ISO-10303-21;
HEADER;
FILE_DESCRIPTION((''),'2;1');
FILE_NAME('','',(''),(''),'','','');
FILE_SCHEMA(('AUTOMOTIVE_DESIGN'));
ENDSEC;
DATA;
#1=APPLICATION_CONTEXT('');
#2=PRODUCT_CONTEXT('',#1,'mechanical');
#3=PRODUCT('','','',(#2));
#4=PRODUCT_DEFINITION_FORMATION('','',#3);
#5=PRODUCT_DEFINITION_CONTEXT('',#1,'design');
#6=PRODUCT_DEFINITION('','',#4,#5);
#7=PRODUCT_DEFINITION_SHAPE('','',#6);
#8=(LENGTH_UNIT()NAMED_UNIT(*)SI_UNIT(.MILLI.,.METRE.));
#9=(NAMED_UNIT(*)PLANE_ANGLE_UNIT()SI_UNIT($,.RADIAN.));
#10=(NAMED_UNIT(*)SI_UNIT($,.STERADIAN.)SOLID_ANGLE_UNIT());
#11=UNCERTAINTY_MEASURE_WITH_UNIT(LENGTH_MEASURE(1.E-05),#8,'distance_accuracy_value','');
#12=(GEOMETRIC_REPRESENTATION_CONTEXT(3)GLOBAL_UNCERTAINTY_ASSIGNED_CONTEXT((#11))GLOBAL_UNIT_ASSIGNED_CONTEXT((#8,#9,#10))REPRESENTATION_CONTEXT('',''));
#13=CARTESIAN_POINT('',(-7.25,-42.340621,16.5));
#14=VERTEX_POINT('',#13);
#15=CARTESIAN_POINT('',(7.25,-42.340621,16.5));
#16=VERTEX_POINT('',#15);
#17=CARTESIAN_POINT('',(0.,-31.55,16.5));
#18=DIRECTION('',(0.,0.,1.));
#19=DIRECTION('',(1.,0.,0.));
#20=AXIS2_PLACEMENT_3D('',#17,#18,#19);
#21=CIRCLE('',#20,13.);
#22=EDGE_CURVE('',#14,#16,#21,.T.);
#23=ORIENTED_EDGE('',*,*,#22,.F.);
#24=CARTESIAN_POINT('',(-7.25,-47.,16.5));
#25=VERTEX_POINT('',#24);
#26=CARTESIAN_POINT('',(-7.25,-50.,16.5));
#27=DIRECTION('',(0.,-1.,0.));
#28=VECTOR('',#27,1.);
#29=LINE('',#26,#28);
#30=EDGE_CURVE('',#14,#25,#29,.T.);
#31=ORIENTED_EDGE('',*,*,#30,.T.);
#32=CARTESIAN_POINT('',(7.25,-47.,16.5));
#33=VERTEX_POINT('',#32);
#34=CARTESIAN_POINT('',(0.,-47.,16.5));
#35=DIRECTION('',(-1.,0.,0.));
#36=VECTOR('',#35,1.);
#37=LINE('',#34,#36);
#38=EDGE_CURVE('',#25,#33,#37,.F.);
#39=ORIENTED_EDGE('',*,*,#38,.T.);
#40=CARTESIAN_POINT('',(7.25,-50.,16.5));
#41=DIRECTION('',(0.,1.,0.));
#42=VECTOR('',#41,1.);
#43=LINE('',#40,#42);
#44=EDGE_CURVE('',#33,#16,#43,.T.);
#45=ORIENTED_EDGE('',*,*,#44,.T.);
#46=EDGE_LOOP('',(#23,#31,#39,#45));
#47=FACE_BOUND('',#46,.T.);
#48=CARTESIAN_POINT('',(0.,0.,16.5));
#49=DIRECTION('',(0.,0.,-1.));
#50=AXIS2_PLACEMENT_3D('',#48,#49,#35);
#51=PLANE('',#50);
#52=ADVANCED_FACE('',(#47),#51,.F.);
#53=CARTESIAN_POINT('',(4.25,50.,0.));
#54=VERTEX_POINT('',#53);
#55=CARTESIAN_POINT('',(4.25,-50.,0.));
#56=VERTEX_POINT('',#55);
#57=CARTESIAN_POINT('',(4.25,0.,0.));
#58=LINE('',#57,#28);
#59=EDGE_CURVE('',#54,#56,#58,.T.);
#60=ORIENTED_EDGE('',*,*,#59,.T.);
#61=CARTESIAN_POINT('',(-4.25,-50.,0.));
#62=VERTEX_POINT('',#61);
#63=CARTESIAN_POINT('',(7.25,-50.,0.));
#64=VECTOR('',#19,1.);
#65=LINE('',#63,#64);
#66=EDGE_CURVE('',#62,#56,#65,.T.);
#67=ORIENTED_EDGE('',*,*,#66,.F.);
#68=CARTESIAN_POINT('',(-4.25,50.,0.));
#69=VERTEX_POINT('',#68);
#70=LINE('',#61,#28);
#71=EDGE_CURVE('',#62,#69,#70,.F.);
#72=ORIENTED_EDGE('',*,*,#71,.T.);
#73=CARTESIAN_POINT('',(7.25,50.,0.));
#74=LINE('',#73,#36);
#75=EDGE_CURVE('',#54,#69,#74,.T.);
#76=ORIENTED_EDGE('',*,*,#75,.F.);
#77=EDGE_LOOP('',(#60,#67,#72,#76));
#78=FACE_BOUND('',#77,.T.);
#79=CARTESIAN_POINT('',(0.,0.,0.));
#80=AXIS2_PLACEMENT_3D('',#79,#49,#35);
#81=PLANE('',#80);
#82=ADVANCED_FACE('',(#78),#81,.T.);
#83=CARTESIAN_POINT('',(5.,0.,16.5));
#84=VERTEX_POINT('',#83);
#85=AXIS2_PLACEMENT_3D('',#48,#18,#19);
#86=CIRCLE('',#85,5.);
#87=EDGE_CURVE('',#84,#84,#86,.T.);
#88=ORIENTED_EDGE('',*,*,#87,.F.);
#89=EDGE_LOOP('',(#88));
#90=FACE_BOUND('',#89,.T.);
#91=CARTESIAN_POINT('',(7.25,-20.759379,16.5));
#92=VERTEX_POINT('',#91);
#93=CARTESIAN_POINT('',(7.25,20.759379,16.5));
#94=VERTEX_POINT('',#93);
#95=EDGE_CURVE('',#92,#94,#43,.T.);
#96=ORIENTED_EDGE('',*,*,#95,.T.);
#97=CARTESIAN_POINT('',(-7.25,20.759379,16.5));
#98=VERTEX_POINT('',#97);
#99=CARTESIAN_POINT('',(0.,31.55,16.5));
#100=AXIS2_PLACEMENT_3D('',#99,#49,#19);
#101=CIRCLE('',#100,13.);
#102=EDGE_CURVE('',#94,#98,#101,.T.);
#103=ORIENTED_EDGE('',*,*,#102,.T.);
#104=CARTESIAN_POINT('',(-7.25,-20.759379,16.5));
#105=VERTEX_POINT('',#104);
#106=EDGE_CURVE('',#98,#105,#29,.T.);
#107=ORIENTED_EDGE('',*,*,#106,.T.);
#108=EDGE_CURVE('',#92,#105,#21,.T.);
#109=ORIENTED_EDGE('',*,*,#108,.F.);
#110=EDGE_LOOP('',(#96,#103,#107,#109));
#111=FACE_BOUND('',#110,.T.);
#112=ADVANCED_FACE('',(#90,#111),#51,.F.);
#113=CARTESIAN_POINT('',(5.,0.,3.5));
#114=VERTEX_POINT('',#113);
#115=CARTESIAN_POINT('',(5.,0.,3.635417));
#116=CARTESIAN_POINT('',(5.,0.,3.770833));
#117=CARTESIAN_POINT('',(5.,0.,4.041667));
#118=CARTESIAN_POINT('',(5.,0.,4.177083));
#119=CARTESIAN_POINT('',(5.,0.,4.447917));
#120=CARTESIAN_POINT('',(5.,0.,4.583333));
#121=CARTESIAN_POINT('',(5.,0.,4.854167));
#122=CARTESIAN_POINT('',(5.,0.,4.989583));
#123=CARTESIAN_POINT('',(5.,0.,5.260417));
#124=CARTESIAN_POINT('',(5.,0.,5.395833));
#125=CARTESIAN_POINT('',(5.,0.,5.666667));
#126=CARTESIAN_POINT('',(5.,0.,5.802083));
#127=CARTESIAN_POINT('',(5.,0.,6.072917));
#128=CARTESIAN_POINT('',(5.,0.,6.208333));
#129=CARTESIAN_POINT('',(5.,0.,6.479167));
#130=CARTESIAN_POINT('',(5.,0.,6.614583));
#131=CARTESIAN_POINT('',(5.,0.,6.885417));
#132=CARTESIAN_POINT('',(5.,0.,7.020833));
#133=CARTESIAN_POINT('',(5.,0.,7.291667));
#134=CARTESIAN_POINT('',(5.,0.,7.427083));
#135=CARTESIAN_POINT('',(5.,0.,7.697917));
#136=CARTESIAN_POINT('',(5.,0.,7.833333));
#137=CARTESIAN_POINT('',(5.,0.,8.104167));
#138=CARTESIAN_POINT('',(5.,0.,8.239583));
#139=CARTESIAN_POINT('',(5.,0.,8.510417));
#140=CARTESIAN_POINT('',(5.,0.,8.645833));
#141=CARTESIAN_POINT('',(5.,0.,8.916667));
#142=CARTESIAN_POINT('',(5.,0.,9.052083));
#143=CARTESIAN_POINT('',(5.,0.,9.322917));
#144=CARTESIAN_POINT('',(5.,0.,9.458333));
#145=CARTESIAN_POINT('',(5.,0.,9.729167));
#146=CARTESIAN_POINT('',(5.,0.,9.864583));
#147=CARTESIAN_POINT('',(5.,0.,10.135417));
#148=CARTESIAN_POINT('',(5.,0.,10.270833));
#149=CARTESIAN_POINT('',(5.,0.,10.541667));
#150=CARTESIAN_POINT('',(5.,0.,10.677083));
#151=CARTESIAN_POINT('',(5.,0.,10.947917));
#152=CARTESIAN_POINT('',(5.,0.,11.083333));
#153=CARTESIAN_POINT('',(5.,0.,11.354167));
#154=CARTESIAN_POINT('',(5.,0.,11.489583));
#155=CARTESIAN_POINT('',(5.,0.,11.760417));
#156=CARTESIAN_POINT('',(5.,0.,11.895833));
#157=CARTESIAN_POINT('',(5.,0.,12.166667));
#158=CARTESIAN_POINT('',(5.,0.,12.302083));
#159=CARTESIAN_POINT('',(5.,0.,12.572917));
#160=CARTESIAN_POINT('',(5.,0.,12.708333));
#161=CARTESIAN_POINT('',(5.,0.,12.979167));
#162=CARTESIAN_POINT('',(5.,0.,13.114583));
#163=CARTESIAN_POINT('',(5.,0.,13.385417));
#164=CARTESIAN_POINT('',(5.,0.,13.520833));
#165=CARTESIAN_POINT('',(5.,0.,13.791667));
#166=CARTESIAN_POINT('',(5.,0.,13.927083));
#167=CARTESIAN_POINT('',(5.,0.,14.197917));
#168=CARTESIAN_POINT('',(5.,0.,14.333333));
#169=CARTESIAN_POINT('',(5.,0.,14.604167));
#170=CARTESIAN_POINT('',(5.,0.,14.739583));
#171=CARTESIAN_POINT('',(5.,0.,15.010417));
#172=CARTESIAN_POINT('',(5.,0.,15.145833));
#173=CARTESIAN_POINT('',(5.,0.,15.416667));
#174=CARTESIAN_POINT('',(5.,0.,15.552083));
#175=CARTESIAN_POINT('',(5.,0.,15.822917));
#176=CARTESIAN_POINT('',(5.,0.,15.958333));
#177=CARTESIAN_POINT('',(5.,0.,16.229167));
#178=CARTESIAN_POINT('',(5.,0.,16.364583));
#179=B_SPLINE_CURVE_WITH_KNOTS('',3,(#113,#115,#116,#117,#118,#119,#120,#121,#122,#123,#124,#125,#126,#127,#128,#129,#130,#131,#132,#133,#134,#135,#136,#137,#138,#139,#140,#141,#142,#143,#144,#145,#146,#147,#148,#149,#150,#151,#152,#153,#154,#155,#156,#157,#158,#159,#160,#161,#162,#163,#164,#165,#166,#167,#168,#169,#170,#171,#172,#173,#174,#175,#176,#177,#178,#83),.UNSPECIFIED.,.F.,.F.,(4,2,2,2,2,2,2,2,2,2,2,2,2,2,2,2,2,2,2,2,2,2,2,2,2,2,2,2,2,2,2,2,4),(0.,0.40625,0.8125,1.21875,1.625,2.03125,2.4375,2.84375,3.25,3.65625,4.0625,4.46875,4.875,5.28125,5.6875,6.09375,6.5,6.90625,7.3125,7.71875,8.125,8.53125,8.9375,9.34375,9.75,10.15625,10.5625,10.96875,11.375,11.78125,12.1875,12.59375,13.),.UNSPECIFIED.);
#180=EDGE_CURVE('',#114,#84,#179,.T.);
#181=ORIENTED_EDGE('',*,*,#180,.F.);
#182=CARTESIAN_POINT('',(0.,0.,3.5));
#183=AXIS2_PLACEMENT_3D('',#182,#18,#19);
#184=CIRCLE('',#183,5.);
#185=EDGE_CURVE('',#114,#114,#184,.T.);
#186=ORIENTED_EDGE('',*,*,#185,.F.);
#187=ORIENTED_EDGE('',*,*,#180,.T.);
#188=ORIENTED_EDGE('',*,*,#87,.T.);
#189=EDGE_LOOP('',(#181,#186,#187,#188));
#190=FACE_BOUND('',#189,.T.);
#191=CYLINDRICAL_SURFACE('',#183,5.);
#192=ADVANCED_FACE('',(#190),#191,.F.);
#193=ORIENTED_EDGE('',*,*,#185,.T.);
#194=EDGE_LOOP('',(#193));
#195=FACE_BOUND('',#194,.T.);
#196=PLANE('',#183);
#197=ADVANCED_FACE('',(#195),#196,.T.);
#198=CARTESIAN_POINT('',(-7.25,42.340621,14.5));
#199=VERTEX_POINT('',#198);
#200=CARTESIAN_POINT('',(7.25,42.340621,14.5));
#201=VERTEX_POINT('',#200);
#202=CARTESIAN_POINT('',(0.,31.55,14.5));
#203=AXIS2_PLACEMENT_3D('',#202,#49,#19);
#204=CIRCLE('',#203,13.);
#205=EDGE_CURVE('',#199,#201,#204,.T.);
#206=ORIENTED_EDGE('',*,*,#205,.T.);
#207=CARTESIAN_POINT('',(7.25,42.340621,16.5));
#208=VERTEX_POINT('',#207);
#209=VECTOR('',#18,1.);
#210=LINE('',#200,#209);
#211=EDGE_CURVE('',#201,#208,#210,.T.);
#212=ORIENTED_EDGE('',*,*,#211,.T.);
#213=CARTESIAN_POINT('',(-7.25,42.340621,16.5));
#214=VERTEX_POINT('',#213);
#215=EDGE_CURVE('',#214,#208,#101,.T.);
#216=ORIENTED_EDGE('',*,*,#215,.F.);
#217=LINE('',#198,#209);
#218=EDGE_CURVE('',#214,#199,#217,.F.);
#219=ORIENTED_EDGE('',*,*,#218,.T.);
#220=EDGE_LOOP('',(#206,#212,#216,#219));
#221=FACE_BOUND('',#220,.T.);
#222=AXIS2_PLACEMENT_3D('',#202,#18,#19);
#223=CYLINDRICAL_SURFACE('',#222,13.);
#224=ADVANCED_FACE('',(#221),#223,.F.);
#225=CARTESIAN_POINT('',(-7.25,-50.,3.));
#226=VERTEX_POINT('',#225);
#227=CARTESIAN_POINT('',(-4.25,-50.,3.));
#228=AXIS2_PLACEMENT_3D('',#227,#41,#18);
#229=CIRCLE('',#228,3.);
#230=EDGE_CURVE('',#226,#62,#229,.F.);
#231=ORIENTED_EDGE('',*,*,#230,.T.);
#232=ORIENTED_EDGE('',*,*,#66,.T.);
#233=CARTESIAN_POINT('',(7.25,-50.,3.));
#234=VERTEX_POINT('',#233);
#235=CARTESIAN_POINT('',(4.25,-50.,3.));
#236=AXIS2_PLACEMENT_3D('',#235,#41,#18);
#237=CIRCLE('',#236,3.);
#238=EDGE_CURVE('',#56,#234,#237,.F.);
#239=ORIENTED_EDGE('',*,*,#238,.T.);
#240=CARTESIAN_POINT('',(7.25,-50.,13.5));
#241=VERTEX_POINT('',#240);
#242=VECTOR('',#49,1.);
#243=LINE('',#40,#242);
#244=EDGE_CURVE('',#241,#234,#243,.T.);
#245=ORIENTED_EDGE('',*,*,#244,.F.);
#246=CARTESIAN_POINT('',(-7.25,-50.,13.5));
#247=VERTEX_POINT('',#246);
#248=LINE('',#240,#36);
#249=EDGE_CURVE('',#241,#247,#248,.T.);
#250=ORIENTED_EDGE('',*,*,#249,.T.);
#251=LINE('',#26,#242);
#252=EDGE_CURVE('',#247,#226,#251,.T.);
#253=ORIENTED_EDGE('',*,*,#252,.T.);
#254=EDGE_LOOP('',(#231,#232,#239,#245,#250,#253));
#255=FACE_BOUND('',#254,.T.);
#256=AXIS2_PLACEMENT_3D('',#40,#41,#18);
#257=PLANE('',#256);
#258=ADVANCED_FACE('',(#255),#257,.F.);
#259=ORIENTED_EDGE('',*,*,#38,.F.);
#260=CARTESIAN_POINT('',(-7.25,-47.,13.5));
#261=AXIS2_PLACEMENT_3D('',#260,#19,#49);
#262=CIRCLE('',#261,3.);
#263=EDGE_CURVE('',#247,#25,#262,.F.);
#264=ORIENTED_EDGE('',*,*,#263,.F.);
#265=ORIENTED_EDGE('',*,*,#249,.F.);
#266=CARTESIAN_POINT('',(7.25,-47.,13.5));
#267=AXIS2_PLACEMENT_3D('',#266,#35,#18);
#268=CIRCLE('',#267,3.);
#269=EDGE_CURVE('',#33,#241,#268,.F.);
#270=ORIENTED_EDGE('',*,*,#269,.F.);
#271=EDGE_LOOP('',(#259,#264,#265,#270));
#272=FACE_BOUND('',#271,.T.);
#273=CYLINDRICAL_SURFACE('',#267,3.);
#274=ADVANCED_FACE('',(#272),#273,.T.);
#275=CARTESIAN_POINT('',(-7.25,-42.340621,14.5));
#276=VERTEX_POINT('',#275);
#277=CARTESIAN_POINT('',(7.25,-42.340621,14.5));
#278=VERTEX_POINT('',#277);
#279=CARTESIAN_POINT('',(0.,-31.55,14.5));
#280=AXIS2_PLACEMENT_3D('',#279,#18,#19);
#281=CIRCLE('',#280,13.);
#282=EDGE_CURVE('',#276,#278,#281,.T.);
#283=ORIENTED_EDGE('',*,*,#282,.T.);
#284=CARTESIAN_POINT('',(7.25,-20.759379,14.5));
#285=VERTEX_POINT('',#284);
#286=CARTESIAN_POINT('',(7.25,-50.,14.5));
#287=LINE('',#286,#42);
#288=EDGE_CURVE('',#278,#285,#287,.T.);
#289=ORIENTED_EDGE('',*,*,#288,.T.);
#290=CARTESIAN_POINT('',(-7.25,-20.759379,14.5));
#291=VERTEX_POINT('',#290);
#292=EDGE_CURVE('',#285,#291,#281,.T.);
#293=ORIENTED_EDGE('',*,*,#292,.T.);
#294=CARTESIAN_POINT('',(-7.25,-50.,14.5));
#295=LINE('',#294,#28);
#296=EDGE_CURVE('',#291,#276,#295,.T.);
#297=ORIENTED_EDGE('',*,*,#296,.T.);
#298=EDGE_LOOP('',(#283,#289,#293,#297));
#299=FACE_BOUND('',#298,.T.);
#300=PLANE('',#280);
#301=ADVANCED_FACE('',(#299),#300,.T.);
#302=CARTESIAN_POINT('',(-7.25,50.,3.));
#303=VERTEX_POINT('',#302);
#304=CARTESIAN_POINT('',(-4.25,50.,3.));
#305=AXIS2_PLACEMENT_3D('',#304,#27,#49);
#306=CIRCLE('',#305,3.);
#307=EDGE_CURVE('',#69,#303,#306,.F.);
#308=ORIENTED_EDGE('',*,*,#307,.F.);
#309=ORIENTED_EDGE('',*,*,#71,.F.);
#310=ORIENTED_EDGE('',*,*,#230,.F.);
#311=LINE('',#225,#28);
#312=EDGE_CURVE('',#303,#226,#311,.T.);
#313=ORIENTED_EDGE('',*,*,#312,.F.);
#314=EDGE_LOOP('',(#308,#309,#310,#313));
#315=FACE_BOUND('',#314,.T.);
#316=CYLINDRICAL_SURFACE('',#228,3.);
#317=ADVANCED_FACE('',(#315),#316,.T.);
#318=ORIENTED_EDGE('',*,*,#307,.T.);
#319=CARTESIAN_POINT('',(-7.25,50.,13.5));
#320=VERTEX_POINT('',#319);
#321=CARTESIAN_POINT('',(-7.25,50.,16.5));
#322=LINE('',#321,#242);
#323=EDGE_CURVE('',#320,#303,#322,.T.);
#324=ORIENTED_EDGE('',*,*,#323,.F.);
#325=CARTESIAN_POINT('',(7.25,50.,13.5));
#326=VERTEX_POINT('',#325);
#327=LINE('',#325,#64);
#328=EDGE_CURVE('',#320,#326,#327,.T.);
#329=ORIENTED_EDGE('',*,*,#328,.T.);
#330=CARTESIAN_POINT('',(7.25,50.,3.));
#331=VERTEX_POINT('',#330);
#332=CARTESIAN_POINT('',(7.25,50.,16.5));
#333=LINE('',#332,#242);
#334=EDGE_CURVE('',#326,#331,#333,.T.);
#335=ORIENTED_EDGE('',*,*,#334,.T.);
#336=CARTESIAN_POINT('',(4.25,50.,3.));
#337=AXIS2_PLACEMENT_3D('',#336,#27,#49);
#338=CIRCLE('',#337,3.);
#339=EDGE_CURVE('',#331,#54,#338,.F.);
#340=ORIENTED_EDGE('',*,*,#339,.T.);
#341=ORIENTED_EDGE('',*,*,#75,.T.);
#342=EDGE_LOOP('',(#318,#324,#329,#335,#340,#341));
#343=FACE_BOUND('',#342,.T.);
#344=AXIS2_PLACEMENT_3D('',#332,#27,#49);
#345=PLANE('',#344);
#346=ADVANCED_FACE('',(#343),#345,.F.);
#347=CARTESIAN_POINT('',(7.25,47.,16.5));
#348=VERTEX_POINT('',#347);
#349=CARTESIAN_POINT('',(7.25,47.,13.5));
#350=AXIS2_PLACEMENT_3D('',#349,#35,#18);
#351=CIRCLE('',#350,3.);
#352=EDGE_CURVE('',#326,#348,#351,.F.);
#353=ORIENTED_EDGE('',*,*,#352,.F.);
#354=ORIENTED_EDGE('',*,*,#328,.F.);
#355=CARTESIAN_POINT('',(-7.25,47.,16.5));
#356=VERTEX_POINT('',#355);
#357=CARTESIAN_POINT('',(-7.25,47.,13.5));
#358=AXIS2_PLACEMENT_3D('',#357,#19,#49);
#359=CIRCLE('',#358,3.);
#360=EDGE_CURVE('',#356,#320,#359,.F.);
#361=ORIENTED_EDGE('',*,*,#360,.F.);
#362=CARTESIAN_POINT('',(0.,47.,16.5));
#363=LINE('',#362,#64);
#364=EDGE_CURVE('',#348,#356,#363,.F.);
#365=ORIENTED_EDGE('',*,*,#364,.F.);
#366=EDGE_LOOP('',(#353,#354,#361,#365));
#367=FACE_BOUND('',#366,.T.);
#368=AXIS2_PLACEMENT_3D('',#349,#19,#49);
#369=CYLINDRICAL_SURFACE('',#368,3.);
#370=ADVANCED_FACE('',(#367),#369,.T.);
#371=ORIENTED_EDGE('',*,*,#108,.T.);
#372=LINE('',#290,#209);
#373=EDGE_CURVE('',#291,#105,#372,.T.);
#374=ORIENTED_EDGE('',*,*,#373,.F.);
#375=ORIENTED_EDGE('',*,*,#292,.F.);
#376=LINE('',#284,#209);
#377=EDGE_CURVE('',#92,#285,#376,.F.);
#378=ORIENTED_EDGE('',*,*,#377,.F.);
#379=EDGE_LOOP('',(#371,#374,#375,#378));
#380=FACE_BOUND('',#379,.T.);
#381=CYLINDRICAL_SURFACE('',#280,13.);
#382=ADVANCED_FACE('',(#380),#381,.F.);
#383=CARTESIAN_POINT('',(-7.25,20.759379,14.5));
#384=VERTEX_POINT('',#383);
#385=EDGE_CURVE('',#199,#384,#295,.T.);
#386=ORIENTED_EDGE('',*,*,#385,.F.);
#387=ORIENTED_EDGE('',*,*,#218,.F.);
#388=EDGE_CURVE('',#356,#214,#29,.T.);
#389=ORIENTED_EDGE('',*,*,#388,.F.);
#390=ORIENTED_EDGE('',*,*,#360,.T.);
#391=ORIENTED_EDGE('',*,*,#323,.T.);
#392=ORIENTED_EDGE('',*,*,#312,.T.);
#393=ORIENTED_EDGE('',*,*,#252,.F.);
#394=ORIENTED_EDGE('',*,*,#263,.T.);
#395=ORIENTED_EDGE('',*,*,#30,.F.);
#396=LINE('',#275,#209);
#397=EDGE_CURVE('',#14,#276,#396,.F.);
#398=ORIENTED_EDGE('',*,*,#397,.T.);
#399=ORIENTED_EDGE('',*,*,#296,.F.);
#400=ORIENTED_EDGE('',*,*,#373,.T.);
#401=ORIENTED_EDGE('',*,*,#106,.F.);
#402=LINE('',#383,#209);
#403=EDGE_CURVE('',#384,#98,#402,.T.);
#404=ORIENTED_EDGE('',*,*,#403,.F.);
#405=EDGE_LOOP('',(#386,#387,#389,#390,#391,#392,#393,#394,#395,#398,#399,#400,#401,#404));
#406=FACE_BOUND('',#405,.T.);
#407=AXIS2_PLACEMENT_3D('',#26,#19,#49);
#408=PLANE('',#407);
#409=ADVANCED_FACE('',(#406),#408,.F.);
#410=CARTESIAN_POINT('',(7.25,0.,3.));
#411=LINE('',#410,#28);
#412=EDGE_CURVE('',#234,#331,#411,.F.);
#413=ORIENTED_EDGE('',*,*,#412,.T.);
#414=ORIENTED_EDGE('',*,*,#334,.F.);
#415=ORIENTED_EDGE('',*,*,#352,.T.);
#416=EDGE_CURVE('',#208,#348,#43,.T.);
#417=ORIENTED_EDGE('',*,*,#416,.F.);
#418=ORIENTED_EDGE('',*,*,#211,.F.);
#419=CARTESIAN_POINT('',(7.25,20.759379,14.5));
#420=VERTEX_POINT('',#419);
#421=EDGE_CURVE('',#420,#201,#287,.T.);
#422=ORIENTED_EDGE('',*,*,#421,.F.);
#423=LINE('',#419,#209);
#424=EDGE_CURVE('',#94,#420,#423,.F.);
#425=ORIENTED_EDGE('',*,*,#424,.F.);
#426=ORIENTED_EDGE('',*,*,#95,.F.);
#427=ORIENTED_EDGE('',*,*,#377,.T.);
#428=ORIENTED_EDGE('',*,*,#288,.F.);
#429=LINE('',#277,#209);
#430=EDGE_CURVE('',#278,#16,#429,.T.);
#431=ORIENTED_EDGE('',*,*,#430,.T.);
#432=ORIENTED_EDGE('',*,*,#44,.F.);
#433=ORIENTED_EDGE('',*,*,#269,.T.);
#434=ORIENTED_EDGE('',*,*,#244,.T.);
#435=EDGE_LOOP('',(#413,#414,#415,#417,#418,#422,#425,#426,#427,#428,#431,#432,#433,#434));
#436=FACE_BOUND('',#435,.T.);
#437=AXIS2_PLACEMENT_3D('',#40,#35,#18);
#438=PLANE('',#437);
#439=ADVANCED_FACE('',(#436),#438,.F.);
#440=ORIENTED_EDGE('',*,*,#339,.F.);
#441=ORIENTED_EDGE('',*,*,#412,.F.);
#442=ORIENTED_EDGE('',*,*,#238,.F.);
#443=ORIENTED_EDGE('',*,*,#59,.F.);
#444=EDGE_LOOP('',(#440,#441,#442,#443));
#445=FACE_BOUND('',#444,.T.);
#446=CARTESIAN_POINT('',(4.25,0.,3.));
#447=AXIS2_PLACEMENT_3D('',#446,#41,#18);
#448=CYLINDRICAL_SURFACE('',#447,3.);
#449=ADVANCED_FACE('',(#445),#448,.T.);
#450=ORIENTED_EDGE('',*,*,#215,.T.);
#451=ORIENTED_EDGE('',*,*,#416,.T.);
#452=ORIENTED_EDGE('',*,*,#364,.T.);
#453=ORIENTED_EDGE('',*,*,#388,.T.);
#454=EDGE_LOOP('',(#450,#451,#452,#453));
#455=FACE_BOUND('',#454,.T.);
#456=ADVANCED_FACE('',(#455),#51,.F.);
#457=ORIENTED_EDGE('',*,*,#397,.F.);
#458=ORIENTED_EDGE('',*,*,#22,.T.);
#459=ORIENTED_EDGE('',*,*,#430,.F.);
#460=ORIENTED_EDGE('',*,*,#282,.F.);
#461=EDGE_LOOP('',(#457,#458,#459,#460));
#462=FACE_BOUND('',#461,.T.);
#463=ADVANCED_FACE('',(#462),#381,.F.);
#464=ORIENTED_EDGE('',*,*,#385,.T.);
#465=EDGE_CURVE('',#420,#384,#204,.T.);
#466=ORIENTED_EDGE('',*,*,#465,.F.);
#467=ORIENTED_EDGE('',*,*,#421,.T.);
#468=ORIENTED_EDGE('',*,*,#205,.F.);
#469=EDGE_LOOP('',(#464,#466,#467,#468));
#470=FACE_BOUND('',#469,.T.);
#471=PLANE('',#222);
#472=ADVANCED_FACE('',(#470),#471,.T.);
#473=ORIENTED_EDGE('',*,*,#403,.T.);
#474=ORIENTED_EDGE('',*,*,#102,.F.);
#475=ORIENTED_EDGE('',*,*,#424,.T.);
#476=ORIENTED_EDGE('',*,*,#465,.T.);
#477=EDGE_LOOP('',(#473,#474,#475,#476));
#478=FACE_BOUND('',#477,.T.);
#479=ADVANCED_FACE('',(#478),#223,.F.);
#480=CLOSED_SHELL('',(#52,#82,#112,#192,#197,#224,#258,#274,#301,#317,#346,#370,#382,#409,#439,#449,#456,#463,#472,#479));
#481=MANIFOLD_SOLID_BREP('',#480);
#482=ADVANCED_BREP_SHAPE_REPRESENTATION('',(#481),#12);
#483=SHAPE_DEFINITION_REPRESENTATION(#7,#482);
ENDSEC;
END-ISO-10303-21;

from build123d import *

# Parameters (mm, degrees)
SKETCH7_W           = 100
SKETCH7_H           = 14.5
BOSS_EXTRUDE1_DEPTH = 16.5
SKETCH8_R           = 5
CUT_EXTRUDE2_DEPTH  = 13
SKETCH10_R          = 13
CUT_EXTRUDE3_DEPTH  = 2
FILLET1_R           = 3
FILLET3_R           = 3
FILLET4_R           = 3
FILLET5_R           = 3


with BuildPart() as part:
    # Sketch7 → Boss-Extrude1 (new body)
    with BuildSketch(Plane(origin=(0, 0, 0), x_dir=(0, 1, 0), z_dir=(0, 0, 1))):
        Rectangle(SKETCH7_W, SKETCH7_H)
    extrude(amount=BOSS_EXTRUDE1_DEPTH)

    # Sketch8 → Cut-Extrude2 (cut)
    with BuildSketch(Plane(origin=(0, 0, 16.5), x_dir=(0, -1, 0), z_dir=(0, 0, 1))):
        with Locations(Location((0, 0, 0), (0, 0, 90))):
            Circle(SKETCH8_R)
    extrude(amount=-CUT_EXTRUDE2_DEPTH, mode=Mode.SUBTRACT)

    # Sketch10 → Cut-Extrude3 (cut)
    with BuildSketch(Plane.XY.offset(16.5)):
        with Locations((0, -31.55)):
            Circle(SKETCH10_R)
    cut_extrude3 = extrude(amount=-CUT_EXTRUDE3_DEPTH, mode=Mode.SUBTRACT)

    # Mirror1: Cut-Extrude3 across plane
    add(cut_extrude3.mirror(Plane.ZX), mode=Mode.SUBTRACT)

    # Fillet1
    fillet1_edges = [part.edges().sort_by_distance(p)[0] for p in [
        (-7.25, 0, 0),
    ]]
    fillet(fillet1_edges, radius=FILLET1_R)

    # Fillet3
    fillet3_edges = [part.edges().sort_by_distance(p)[0] for p in [
        (7.25, 0, 0),
    ]]
    fillet(fillet3_edges, radius=FILLET3_R)

    # Fillet4
    fillet4_edges = [part.edges().sort_by_distance(p)[0] for p in [
        (0, 50, 16.5),
    ]]
    fillet(fillet4_edges, radius=FILLET4_R)

    # Fillet5
    fillet5_edges = [part.edges().sort_by_distance(p)[0] for p in [
        (0, -50, 16.5),
    ]]
    fillet(fillet5_edges, radius=FILLET5_R)


solid = part.part
